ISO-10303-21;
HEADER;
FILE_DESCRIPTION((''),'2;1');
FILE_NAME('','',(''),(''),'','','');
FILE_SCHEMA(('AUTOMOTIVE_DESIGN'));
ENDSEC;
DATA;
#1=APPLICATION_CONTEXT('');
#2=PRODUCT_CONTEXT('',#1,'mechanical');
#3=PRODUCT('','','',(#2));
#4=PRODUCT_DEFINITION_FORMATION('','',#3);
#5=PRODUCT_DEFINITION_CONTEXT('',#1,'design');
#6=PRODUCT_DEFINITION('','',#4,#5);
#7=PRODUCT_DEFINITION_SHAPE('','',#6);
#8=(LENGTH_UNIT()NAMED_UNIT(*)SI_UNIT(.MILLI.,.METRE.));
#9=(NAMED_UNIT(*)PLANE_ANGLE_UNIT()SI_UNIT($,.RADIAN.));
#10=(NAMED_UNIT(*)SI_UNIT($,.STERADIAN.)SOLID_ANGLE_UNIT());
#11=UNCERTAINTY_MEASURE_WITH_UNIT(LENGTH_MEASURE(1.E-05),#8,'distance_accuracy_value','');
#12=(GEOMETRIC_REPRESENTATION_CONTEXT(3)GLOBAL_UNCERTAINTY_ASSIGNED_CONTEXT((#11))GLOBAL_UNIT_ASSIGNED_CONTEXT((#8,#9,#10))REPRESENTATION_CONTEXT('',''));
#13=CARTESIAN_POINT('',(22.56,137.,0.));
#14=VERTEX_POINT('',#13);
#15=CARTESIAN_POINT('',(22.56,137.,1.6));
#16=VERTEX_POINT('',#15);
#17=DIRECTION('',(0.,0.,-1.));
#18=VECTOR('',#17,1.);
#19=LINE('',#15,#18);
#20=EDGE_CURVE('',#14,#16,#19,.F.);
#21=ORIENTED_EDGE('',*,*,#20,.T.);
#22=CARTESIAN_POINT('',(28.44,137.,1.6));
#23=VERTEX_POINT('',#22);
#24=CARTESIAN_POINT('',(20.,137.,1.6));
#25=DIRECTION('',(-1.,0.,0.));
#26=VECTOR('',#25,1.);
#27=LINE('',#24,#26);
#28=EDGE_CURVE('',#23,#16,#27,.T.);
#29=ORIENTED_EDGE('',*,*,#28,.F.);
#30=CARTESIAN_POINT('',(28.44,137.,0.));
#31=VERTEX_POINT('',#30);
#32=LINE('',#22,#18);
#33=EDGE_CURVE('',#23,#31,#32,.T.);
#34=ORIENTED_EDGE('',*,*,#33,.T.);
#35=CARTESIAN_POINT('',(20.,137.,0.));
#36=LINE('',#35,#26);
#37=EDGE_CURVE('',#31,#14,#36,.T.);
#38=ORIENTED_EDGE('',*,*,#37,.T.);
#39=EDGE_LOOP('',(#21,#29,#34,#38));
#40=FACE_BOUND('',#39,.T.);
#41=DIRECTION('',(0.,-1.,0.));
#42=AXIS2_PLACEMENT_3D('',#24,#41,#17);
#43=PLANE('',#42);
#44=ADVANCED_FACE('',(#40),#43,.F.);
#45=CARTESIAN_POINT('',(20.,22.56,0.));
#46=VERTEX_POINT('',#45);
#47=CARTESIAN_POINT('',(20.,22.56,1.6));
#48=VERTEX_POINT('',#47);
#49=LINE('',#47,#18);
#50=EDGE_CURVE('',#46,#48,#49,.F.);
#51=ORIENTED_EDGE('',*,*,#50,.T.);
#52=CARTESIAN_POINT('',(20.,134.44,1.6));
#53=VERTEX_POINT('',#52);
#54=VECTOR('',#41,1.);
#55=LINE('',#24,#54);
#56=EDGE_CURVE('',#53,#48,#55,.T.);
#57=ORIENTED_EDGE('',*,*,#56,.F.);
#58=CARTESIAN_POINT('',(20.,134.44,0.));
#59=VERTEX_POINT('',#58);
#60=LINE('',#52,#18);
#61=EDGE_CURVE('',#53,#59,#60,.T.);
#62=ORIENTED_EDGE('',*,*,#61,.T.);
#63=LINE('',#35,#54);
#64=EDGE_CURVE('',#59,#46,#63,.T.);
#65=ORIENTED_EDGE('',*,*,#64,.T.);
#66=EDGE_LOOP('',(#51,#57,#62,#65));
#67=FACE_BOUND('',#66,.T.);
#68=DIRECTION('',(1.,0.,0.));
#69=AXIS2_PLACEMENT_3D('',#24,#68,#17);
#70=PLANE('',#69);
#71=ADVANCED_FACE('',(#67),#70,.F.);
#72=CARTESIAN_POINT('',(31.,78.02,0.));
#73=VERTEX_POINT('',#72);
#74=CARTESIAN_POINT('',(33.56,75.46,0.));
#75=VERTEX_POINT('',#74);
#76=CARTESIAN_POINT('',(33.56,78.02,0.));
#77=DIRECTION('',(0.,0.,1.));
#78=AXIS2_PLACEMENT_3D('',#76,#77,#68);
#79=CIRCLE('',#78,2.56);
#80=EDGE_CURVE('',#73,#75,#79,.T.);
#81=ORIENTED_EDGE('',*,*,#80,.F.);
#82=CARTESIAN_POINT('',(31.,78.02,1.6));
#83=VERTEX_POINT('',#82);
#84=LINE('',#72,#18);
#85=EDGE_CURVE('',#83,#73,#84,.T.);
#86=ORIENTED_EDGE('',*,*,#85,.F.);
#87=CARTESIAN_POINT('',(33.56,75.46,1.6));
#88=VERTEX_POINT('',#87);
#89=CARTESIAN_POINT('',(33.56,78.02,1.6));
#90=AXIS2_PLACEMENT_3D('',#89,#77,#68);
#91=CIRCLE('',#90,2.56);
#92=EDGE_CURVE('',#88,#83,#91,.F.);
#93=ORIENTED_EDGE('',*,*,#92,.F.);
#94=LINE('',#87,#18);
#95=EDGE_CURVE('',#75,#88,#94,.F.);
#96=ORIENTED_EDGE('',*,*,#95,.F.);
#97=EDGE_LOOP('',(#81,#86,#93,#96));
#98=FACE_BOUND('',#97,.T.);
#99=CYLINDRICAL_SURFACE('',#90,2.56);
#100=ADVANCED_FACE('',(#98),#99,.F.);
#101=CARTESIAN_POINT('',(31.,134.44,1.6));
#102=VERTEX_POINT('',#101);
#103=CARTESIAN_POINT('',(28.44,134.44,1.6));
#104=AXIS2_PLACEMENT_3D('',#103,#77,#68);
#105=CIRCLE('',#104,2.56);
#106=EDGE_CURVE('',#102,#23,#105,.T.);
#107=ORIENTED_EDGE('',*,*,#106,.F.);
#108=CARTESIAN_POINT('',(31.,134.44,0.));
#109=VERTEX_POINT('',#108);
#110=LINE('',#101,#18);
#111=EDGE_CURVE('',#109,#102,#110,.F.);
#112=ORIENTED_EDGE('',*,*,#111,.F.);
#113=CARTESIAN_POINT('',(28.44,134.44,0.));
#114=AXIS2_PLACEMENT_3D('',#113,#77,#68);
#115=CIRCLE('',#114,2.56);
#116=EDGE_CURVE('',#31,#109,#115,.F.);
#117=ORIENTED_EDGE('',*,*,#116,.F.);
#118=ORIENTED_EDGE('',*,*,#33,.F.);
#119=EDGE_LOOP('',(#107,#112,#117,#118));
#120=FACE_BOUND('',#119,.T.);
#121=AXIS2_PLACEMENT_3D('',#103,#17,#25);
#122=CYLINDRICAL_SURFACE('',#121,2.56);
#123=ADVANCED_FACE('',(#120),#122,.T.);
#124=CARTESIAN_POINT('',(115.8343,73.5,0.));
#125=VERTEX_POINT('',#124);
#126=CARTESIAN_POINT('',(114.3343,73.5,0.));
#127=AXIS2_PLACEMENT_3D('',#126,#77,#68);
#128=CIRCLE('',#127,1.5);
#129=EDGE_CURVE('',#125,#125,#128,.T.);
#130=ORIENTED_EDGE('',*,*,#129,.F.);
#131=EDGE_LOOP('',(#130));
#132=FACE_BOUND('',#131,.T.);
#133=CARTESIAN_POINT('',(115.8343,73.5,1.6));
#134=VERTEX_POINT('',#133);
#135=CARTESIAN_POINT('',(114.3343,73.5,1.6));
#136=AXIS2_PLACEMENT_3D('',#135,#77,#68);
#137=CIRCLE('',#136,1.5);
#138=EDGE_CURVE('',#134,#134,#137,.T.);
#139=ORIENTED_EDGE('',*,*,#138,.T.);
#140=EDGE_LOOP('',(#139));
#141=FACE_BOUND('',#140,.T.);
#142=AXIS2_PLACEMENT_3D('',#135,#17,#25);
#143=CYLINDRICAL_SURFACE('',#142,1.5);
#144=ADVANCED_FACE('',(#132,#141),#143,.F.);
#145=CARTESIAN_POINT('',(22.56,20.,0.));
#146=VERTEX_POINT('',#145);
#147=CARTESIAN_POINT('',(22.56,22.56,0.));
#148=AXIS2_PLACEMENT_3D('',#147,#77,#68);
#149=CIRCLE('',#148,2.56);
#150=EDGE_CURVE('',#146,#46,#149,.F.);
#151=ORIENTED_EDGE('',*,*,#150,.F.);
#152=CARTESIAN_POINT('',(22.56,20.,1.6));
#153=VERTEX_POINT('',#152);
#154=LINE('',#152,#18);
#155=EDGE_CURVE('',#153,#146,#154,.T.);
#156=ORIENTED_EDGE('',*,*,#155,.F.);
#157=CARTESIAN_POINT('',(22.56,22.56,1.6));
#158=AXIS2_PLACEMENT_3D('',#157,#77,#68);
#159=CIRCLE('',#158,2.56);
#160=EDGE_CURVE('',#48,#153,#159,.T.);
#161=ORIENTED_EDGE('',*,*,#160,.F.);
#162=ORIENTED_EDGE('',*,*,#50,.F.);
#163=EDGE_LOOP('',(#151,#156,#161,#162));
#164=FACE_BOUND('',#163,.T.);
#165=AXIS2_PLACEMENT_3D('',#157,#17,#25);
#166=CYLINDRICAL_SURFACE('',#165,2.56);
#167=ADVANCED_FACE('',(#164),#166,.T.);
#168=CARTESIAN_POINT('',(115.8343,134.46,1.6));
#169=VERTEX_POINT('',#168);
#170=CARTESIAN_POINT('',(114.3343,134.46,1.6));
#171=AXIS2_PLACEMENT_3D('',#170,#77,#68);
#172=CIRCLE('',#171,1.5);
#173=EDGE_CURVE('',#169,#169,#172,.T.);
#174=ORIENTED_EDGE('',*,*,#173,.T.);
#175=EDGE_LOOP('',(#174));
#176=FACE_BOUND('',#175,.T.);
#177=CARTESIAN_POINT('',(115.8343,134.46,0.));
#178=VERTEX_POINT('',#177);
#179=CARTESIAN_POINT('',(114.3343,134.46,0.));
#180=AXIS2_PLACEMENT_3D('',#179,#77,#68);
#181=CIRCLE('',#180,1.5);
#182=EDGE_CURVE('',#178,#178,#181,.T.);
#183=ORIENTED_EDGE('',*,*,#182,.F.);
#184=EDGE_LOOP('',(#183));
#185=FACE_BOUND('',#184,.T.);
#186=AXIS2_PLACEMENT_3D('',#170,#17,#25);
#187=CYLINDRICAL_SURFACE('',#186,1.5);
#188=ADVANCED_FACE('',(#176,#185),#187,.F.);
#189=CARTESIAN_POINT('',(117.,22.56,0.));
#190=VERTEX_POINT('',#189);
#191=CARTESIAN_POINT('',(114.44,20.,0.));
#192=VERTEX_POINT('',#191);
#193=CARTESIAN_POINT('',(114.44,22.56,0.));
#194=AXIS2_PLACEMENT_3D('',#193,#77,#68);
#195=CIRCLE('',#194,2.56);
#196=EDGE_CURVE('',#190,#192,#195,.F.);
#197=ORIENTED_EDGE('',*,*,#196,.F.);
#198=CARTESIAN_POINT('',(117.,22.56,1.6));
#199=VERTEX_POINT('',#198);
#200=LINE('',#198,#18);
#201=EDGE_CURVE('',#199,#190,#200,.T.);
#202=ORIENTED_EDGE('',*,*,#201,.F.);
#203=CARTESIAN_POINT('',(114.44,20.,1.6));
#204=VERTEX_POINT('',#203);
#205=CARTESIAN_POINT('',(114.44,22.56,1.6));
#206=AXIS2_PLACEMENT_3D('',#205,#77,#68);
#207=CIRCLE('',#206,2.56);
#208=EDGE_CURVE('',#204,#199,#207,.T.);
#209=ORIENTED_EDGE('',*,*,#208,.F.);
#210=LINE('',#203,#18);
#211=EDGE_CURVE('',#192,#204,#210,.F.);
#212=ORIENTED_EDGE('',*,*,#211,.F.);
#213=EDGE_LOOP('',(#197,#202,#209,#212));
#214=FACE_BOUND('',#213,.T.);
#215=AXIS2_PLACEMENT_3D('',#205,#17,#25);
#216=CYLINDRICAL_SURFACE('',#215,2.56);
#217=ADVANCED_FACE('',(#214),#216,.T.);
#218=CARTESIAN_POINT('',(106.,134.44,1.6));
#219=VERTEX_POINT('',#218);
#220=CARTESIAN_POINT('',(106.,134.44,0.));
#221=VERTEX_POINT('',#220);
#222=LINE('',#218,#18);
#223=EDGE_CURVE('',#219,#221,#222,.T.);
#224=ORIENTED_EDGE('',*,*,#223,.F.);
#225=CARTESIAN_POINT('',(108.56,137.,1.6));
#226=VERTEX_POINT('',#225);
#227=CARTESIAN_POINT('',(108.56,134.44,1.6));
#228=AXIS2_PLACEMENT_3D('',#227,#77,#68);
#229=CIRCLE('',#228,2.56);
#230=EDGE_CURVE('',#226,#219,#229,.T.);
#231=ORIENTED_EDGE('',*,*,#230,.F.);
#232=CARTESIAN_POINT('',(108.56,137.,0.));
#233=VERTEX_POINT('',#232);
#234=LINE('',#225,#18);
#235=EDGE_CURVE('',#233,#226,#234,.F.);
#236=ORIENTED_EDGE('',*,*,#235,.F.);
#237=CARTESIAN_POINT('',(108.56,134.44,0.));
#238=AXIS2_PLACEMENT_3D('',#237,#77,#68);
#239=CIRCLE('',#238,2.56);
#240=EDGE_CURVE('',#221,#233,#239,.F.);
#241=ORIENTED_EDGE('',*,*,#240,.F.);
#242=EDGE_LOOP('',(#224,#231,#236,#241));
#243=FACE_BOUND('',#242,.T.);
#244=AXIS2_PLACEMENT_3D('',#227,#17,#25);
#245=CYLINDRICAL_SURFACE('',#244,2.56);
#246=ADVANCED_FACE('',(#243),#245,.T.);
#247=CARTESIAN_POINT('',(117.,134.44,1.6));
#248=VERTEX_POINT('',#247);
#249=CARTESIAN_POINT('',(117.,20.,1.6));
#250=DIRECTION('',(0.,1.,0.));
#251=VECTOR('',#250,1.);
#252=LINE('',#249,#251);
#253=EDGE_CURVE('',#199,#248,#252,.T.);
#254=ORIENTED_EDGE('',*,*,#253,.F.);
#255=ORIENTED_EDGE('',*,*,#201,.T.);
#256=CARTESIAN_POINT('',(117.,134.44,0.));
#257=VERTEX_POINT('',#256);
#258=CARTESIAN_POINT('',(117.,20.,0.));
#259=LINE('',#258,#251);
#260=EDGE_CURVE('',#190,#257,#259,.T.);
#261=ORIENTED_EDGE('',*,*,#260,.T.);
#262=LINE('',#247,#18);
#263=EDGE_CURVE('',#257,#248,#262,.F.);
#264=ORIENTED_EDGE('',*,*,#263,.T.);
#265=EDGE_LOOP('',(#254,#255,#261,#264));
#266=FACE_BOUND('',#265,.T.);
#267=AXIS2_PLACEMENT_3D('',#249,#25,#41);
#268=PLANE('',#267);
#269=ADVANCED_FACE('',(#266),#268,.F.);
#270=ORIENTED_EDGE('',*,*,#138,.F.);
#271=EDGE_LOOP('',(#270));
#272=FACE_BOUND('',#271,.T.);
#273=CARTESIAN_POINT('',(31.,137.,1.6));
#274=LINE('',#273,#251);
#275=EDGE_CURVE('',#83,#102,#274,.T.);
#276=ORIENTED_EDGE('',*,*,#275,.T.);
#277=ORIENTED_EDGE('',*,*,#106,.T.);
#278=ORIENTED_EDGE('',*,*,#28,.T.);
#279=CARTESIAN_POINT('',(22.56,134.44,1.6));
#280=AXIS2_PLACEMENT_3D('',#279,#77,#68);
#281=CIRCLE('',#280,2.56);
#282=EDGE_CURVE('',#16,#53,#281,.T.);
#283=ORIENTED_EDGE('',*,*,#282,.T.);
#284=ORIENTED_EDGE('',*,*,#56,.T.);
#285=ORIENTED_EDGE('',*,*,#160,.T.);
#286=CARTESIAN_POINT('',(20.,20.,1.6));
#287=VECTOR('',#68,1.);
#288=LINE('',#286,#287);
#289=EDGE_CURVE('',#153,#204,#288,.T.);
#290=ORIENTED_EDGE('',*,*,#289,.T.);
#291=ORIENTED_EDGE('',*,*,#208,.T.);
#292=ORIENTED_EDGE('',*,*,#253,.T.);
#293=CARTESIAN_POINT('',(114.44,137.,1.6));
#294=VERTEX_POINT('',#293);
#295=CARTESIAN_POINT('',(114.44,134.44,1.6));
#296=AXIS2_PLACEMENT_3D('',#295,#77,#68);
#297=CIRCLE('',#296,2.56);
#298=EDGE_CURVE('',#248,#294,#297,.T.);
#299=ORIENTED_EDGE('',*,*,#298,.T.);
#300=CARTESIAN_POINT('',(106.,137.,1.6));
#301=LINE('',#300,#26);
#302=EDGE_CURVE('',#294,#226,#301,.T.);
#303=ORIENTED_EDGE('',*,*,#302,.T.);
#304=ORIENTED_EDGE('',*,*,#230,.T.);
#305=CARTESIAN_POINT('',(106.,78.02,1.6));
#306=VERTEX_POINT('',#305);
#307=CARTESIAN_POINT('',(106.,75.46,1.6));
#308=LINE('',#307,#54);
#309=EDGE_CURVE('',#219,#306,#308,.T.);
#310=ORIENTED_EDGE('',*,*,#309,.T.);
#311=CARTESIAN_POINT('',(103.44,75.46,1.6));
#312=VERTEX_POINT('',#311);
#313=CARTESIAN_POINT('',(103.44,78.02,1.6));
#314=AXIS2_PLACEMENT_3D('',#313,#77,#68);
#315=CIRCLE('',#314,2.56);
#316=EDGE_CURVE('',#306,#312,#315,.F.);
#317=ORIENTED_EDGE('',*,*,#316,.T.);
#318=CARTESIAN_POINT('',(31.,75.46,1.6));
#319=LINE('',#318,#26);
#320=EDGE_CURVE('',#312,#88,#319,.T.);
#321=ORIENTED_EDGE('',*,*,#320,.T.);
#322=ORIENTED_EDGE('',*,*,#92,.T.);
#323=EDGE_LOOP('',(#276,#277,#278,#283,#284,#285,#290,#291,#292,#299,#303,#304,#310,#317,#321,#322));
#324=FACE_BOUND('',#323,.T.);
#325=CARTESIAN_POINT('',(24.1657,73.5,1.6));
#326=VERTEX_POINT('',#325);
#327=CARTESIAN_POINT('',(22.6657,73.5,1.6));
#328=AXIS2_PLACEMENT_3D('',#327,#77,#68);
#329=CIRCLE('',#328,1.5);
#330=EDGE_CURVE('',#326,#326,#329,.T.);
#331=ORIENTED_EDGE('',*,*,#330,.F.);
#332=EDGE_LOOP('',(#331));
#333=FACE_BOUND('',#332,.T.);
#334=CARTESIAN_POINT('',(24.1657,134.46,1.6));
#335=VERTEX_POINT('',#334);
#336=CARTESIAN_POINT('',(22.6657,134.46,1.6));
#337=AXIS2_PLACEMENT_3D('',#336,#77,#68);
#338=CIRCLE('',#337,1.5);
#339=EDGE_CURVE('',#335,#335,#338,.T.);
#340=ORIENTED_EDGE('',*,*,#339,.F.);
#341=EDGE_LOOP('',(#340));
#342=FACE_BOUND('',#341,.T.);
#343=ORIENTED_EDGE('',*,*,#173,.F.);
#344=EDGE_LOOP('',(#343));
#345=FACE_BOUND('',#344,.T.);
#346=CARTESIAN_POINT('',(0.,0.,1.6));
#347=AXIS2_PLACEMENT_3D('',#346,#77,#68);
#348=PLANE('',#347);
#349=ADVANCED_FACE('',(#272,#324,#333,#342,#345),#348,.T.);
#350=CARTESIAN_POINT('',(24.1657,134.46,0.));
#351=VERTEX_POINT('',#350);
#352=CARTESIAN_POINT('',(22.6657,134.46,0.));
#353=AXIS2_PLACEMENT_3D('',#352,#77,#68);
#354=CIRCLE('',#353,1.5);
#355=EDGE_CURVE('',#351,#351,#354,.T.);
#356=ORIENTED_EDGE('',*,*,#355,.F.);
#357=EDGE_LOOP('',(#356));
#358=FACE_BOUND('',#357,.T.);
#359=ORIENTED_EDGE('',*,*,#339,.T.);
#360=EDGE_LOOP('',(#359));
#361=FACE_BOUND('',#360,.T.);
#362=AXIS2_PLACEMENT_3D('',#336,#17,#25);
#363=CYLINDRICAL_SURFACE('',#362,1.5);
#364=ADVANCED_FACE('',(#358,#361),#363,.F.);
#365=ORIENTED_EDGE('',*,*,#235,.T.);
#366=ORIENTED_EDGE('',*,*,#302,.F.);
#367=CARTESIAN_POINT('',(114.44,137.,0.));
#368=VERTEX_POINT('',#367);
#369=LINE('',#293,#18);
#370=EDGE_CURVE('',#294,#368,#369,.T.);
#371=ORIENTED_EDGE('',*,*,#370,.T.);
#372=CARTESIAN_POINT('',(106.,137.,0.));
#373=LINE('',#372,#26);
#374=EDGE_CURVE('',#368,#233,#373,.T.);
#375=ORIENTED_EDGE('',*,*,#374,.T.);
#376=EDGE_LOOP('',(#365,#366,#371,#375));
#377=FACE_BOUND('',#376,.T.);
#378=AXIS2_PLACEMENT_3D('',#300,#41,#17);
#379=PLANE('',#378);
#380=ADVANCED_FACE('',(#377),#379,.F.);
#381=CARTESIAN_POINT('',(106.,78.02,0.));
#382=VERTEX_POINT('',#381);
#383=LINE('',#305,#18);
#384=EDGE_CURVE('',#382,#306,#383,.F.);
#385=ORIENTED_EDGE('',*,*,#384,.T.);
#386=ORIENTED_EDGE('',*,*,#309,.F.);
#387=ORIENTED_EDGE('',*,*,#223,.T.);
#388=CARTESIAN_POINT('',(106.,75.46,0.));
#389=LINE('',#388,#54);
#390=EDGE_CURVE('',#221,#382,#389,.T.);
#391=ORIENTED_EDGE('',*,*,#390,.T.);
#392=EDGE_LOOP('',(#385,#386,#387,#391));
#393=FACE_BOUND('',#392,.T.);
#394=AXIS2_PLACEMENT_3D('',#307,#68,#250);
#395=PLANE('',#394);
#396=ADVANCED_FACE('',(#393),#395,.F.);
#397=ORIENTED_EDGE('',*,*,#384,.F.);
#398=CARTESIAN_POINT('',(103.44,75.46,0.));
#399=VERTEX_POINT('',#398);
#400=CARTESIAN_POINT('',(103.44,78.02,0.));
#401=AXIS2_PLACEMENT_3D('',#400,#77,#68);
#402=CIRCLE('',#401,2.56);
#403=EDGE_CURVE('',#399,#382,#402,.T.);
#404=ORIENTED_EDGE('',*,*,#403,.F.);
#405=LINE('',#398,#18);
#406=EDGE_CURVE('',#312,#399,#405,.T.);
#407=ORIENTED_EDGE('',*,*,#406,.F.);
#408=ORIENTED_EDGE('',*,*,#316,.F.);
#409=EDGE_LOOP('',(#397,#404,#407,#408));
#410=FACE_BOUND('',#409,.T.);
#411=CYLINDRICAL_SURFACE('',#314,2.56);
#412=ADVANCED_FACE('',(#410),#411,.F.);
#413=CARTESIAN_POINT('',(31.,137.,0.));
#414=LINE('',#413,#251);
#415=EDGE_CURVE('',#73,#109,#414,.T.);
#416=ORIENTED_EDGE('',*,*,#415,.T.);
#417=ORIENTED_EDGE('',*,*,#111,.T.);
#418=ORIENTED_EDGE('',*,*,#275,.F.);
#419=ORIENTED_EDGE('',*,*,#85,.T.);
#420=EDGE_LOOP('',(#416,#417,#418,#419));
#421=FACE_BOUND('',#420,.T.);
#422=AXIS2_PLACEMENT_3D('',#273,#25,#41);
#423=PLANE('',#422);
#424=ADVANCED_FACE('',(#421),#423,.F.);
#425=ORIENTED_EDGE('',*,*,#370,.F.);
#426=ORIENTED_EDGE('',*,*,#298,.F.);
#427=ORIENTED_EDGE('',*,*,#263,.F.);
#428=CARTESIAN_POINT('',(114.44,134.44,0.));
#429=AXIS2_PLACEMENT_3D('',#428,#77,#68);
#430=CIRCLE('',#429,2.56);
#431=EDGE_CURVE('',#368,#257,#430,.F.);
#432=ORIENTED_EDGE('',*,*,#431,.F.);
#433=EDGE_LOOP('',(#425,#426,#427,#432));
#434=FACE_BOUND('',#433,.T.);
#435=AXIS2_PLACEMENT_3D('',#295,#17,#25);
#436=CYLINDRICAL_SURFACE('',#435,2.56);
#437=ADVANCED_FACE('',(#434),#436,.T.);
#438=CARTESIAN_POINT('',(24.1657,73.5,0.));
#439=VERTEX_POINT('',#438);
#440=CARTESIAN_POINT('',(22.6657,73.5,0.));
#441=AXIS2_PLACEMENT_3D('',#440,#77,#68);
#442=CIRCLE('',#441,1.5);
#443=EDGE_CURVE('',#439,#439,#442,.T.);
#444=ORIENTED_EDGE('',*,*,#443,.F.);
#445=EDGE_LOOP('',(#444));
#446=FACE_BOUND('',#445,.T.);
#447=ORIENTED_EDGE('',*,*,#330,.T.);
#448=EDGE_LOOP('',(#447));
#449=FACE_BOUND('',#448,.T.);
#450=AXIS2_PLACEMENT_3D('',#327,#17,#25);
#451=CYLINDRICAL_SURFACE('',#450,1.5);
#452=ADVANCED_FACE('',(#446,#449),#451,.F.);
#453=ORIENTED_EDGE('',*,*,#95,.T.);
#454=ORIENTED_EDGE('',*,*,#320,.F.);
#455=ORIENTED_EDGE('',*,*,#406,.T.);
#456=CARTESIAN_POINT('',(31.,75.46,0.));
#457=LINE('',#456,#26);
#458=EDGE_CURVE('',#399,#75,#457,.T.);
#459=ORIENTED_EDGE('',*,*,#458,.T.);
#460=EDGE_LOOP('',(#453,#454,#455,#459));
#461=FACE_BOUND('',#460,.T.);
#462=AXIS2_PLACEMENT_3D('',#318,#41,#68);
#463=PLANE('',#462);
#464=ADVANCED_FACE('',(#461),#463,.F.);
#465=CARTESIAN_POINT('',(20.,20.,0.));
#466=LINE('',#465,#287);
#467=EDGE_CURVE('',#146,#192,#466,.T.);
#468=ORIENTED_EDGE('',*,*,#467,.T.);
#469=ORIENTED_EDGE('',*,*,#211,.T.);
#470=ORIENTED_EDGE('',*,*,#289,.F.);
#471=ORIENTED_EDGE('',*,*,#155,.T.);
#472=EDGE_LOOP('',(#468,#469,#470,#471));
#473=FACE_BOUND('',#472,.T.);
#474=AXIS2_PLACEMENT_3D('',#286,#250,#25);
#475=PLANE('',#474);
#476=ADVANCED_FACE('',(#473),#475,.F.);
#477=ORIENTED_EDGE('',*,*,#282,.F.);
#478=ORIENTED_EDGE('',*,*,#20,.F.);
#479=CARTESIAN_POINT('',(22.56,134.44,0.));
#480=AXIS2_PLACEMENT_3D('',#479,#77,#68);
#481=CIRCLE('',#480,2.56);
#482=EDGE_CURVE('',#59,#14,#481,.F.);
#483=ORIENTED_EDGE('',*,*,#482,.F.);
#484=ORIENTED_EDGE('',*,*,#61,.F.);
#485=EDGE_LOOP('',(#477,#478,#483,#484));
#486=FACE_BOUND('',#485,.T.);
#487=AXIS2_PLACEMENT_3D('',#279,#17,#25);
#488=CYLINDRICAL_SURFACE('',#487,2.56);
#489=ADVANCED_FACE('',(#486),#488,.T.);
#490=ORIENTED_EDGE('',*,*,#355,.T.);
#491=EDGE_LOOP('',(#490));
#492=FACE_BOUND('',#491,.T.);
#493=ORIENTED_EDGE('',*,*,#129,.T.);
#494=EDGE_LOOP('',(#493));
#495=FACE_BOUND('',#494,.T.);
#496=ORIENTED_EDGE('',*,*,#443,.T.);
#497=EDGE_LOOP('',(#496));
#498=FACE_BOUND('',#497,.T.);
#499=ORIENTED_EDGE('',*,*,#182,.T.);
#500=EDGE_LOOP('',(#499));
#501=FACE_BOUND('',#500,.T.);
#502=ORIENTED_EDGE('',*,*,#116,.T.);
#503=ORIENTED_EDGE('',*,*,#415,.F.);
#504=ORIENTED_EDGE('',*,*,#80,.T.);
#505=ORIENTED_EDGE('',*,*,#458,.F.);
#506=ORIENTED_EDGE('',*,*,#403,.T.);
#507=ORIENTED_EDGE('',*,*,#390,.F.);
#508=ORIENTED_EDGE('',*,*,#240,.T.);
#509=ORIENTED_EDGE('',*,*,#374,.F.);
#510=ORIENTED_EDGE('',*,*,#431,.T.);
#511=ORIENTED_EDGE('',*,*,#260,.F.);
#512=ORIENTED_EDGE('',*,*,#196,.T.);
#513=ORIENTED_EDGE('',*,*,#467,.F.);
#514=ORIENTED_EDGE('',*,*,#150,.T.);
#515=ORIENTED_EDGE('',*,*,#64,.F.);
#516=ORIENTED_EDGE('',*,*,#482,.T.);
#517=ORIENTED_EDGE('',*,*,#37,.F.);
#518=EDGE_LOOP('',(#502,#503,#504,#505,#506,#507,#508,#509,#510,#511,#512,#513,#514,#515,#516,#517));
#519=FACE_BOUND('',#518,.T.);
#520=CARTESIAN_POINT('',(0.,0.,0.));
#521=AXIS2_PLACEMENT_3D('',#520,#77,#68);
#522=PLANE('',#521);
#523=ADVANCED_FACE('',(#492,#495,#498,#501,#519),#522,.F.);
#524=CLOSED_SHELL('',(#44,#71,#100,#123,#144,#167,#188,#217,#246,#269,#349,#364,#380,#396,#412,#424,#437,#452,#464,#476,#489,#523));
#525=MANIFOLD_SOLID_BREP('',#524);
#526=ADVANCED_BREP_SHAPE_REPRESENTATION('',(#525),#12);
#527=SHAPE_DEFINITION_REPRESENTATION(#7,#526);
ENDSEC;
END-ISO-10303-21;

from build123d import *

# Parameters (mm, degrees)
SKETCH1_R   = 1.5
BOARD_DEPTH = 1.6
FILLET1_R   = 2.56


with BuildPart() as part:
    # Sketch1 → Board (new body)
    with BuildSketch(Plane.XY):
        Polygon((20, 20), (117, 20), (117, 137), (106, 137), (106, 75.46), (31, 75.46), (31, 137), (20, 137), align=None)
        with Locations((22.6657, 134.46)):
            Circle(SKETCH1_R, mode=Mode.SUBTRACT)
        with Locations((114.3343, 134.46)):
            Circle(SKETCH1_R, mode=Mode.SUBTRACT)
        with Locations((22.6657, 73.5)):
            Circle(SKETCH1_R, mode=Mode.SUBTRACT)
        with Locations((114.3343, 73.5)):
            Circle(SKETCH1_R, mode=Mode.SUBTRACT)
    extrude(amount=BOARD_DEPTH)

    # Fillet1
    fillet1_edges = [part.edges().sort_by_distance(p)[0] for p in [
        (20, 137, 0.8),
        (31, 137, 0.8),
        (31, 75.46, 0.8),
        (106, 75.46, 0.8),
        (106, 137, 0.8),
        (117, 137, 0.8),
        (117, 20, 0.8),
        (20, 20, 0.8),
    ]]
    fillet(fillet1_edges, radius=FILLET1_R)


solid = part.part
